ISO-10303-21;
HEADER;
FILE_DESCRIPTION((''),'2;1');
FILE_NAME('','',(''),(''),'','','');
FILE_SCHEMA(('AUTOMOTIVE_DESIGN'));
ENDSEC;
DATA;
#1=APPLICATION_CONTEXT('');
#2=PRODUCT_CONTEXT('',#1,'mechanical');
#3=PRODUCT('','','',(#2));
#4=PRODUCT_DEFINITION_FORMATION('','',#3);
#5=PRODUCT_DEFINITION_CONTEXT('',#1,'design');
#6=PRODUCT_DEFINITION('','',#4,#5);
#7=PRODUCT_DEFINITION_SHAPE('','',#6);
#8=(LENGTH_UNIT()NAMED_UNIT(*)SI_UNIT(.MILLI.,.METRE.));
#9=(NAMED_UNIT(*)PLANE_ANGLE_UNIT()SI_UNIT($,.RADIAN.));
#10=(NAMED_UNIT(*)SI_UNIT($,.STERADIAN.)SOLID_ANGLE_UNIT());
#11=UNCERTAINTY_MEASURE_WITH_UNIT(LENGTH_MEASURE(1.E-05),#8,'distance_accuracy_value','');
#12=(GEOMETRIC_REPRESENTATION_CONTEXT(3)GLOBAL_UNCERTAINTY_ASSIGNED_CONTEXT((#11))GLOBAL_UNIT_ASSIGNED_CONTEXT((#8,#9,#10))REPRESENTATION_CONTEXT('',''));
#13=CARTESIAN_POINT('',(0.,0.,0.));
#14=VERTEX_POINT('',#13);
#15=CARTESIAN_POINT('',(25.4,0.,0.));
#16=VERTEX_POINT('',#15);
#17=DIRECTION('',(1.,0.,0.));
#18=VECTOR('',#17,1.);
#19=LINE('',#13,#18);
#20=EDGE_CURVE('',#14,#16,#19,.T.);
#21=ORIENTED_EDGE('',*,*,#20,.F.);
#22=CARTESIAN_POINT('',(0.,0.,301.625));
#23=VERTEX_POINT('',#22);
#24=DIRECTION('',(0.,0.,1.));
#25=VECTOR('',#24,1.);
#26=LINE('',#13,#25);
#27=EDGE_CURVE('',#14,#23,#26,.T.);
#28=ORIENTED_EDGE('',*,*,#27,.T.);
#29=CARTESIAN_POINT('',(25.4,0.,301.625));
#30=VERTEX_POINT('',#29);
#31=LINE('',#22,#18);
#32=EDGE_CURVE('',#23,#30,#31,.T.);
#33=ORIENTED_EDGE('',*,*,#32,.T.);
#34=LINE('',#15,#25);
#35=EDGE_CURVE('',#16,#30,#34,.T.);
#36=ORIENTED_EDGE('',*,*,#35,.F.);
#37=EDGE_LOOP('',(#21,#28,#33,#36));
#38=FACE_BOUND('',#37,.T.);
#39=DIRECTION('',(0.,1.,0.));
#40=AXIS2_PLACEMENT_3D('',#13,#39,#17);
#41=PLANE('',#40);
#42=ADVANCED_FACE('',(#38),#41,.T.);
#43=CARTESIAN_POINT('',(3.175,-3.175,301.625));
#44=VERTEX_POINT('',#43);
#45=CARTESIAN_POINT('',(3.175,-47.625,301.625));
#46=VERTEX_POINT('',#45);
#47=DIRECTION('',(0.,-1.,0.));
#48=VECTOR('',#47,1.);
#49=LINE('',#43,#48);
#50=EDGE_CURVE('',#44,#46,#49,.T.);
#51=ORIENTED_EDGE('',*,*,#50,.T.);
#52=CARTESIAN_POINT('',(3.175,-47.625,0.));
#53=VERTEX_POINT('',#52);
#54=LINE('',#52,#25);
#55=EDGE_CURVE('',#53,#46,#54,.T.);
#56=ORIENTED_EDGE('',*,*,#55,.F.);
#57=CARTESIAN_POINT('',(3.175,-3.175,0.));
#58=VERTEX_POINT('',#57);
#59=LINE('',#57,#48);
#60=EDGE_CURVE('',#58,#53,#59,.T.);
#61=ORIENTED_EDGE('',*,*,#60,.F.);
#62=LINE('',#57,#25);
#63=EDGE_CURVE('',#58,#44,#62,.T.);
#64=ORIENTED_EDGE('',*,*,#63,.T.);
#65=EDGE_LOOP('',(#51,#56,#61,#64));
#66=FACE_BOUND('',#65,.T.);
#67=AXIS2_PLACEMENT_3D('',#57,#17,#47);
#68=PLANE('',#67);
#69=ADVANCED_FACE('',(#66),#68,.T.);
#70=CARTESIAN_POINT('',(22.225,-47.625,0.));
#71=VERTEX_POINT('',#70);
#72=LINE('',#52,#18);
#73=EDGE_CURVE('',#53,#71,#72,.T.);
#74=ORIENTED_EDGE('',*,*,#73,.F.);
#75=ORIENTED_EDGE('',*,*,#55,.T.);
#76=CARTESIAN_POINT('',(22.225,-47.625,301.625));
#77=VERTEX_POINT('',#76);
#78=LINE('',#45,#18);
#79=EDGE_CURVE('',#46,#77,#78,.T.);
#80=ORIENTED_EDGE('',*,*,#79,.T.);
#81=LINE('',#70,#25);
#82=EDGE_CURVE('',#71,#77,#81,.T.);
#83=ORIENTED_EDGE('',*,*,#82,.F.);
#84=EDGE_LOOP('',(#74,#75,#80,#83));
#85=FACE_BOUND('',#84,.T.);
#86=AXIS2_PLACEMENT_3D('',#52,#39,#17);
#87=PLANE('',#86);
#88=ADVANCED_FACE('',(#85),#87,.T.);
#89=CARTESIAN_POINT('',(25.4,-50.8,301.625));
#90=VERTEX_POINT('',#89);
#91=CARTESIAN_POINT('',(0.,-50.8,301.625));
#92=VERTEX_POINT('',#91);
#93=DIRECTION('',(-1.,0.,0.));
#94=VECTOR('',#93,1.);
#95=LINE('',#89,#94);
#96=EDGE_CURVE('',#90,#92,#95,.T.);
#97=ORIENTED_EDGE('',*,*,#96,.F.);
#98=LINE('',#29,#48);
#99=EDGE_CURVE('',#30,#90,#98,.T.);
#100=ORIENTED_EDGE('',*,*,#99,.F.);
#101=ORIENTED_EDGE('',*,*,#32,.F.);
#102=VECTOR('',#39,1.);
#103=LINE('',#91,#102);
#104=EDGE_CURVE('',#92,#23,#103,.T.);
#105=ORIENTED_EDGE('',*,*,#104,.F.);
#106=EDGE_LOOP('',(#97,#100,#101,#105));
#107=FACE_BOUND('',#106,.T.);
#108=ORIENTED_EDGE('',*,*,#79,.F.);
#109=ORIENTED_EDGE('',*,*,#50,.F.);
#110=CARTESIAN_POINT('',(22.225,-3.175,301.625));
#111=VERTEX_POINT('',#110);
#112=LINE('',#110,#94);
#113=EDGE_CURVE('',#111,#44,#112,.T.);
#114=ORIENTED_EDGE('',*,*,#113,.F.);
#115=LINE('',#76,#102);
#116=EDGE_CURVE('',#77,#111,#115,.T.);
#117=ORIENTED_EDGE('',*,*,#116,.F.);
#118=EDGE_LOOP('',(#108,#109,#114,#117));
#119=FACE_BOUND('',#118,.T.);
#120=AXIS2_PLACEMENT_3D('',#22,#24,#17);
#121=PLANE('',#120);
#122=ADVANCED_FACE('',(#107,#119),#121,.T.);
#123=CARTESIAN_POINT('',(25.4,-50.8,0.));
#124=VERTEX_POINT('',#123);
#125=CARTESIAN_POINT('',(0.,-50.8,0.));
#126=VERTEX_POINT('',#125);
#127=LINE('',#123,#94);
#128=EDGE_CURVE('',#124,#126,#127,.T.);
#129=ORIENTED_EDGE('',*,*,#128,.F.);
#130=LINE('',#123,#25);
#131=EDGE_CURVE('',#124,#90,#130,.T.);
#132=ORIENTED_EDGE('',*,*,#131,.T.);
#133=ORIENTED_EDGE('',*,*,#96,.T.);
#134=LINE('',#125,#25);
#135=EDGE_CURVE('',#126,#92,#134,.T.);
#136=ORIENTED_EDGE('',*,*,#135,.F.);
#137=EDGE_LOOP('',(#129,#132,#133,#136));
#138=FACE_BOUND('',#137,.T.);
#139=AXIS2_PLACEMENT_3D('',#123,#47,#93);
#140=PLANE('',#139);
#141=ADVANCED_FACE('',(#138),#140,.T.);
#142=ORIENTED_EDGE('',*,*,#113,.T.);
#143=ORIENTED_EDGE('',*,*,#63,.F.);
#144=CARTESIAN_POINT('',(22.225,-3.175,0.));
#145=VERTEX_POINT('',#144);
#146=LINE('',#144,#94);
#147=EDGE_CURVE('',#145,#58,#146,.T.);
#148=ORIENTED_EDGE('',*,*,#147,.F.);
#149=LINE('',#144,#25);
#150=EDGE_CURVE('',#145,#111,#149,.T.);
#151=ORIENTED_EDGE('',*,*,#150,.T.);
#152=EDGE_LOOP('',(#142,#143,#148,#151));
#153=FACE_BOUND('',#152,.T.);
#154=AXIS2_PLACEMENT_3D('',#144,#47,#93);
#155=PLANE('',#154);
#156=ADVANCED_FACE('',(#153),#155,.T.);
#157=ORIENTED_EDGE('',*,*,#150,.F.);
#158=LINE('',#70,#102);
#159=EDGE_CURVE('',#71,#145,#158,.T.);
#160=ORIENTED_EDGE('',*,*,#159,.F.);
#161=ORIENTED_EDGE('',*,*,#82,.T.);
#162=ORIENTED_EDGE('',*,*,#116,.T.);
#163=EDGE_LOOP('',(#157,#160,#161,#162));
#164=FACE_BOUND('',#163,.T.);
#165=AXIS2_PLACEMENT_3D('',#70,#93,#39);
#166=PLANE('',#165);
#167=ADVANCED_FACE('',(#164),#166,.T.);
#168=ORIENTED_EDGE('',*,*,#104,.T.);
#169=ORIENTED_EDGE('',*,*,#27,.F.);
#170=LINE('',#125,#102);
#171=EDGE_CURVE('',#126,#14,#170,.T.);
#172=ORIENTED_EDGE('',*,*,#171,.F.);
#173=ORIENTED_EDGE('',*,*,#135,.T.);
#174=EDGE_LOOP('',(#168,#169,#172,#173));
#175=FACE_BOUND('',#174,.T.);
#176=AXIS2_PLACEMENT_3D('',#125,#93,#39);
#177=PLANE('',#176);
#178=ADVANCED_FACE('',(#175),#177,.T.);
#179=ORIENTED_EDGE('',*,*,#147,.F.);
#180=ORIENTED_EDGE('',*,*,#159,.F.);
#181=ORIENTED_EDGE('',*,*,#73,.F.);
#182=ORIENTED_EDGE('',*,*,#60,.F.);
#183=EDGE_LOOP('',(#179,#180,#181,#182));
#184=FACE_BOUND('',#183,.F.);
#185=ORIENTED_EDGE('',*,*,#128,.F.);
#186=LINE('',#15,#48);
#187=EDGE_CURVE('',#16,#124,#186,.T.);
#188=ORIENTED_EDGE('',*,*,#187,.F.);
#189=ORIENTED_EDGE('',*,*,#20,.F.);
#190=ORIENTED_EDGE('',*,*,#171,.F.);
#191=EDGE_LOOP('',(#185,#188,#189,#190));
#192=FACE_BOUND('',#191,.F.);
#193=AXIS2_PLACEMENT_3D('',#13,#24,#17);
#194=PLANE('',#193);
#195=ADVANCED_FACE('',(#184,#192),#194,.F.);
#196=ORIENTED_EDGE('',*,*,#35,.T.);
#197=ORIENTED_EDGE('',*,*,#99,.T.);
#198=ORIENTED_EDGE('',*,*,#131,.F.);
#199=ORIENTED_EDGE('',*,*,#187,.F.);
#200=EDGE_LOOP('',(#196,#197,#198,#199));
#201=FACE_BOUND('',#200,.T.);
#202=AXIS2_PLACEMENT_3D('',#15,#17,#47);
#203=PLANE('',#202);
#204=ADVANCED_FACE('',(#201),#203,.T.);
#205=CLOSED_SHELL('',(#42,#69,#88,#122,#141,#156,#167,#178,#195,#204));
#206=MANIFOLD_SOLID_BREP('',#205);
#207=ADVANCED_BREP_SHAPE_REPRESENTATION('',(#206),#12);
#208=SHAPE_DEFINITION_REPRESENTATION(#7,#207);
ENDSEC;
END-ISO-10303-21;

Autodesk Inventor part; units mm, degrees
ref_plane "YZ Plane" through (0, 0, 0) normal (1, 0, 0) x (0, 1, 0)
ref_plane "XZ Plane" through (0, 0, 0) normal (0, 1, 0) x (-1, 0, 0)
ref_plane "XY Plane" through (0, 0, 0) normal (0, 0, 1) x (1, 0, 0)
sketch "Sketch1" plane through (0, 0, 0) normal (0, 0, 1) x (1, 0, 0)
  line L0 (0, 0) -> (25.4, 0)
  line L1 (25.4, 0) -> (25.4, -50.8)
  line L2 (25.4, -50.8) -> (0, -50.8)
  line L3 (0, -50.8) -> (0, 0)
  line L4 (22.225, -3.175) -> (3.175, -3.175)
  line L5 (3.175, -3.175) -> (3.175, -47.625)
  line L6 (3.175, -47.625) -> (22.225, -47.625)
  line L7 (22.225, -47.625) -> (22.225, -3.175)
  dimension "d0" = 25.4
  dimension "d1" = 50.8
  dimension "d2" = 3.175
extrude "Extrusion1" add sketch "Sketch1" along normal blind 301.625
properties part number "Bridge"
